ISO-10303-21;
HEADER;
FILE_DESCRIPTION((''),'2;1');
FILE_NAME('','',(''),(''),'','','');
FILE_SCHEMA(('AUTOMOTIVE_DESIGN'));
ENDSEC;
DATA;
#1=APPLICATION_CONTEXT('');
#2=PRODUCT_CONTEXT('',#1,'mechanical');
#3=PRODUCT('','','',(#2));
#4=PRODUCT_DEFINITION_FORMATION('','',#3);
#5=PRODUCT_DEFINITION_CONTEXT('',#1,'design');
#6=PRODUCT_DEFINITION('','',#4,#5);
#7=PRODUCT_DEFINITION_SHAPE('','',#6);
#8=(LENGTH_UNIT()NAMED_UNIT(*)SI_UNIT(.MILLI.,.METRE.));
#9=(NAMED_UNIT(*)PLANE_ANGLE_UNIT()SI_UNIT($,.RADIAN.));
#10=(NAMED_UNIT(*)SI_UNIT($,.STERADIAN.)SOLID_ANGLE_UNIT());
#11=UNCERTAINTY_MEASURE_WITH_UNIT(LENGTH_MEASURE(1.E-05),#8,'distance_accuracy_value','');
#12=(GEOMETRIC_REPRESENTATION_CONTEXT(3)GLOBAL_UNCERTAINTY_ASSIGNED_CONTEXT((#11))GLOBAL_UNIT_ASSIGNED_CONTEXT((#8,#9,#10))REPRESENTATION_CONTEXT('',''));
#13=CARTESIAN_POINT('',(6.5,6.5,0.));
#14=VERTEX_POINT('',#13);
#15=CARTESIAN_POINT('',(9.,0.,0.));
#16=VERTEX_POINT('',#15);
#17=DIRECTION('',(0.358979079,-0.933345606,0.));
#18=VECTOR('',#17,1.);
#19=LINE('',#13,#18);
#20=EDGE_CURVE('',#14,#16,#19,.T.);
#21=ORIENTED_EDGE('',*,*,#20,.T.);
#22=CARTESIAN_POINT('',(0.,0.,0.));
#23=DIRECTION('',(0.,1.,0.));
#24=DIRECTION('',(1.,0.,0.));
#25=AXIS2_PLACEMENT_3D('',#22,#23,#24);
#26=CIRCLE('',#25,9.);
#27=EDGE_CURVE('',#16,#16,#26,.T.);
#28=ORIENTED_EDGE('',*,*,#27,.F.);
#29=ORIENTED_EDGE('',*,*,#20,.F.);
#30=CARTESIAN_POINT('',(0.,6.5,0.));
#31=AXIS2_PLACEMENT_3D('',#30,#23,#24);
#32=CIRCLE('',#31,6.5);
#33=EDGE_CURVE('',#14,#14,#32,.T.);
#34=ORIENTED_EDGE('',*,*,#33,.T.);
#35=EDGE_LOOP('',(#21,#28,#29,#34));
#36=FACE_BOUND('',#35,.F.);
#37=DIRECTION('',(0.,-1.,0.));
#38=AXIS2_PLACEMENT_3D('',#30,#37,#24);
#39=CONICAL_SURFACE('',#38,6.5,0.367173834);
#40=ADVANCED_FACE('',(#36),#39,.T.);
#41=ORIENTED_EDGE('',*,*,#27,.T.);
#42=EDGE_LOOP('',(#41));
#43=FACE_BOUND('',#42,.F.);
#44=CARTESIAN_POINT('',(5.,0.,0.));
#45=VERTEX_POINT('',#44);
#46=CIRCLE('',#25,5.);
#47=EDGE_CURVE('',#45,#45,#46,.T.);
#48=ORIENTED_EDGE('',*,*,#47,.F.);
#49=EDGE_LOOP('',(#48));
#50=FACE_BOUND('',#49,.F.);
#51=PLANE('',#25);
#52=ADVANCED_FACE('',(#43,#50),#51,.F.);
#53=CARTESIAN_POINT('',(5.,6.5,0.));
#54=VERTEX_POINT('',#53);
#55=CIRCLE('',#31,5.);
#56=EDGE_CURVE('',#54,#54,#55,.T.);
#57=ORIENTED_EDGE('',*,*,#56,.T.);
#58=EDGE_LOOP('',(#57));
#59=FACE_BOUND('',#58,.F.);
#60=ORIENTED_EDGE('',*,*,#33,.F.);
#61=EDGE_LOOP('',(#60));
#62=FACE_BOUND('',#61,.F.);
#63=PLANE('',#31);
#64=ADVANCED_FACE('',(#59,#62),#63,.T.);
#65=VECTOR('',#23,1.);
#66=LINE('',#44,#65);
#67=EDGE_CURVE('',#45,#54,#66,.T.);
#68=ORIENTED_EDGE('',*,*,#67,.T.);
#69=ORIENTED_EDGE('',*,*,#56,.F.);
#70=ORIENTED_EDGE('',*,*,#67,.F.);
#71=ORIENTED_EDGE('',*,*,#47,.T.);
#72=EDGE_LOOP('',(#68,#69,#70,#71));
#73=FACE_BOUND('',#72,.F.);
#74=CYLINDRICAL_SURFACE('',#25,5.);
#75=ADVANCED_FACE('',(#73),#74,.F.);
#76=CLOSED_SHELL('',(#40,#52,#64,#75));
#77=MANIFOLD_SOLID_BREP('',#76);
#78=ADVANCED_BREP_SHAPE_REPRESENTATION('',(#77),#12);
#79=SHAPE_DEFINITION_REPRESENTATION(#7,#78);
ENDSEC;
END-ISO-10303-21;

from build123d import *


with BuildPart() as part:
    # Szkic1 → Obrót1 (revolve)
    with BuildSketch(Plane.XY):
        Polygon((5, 0), (5, 6.5), (6.5, 6.5), (9, 0), align=None)
    revolve(axis=Axis((0, 0, 0), (0, 1, 0)))


solid = part.part
